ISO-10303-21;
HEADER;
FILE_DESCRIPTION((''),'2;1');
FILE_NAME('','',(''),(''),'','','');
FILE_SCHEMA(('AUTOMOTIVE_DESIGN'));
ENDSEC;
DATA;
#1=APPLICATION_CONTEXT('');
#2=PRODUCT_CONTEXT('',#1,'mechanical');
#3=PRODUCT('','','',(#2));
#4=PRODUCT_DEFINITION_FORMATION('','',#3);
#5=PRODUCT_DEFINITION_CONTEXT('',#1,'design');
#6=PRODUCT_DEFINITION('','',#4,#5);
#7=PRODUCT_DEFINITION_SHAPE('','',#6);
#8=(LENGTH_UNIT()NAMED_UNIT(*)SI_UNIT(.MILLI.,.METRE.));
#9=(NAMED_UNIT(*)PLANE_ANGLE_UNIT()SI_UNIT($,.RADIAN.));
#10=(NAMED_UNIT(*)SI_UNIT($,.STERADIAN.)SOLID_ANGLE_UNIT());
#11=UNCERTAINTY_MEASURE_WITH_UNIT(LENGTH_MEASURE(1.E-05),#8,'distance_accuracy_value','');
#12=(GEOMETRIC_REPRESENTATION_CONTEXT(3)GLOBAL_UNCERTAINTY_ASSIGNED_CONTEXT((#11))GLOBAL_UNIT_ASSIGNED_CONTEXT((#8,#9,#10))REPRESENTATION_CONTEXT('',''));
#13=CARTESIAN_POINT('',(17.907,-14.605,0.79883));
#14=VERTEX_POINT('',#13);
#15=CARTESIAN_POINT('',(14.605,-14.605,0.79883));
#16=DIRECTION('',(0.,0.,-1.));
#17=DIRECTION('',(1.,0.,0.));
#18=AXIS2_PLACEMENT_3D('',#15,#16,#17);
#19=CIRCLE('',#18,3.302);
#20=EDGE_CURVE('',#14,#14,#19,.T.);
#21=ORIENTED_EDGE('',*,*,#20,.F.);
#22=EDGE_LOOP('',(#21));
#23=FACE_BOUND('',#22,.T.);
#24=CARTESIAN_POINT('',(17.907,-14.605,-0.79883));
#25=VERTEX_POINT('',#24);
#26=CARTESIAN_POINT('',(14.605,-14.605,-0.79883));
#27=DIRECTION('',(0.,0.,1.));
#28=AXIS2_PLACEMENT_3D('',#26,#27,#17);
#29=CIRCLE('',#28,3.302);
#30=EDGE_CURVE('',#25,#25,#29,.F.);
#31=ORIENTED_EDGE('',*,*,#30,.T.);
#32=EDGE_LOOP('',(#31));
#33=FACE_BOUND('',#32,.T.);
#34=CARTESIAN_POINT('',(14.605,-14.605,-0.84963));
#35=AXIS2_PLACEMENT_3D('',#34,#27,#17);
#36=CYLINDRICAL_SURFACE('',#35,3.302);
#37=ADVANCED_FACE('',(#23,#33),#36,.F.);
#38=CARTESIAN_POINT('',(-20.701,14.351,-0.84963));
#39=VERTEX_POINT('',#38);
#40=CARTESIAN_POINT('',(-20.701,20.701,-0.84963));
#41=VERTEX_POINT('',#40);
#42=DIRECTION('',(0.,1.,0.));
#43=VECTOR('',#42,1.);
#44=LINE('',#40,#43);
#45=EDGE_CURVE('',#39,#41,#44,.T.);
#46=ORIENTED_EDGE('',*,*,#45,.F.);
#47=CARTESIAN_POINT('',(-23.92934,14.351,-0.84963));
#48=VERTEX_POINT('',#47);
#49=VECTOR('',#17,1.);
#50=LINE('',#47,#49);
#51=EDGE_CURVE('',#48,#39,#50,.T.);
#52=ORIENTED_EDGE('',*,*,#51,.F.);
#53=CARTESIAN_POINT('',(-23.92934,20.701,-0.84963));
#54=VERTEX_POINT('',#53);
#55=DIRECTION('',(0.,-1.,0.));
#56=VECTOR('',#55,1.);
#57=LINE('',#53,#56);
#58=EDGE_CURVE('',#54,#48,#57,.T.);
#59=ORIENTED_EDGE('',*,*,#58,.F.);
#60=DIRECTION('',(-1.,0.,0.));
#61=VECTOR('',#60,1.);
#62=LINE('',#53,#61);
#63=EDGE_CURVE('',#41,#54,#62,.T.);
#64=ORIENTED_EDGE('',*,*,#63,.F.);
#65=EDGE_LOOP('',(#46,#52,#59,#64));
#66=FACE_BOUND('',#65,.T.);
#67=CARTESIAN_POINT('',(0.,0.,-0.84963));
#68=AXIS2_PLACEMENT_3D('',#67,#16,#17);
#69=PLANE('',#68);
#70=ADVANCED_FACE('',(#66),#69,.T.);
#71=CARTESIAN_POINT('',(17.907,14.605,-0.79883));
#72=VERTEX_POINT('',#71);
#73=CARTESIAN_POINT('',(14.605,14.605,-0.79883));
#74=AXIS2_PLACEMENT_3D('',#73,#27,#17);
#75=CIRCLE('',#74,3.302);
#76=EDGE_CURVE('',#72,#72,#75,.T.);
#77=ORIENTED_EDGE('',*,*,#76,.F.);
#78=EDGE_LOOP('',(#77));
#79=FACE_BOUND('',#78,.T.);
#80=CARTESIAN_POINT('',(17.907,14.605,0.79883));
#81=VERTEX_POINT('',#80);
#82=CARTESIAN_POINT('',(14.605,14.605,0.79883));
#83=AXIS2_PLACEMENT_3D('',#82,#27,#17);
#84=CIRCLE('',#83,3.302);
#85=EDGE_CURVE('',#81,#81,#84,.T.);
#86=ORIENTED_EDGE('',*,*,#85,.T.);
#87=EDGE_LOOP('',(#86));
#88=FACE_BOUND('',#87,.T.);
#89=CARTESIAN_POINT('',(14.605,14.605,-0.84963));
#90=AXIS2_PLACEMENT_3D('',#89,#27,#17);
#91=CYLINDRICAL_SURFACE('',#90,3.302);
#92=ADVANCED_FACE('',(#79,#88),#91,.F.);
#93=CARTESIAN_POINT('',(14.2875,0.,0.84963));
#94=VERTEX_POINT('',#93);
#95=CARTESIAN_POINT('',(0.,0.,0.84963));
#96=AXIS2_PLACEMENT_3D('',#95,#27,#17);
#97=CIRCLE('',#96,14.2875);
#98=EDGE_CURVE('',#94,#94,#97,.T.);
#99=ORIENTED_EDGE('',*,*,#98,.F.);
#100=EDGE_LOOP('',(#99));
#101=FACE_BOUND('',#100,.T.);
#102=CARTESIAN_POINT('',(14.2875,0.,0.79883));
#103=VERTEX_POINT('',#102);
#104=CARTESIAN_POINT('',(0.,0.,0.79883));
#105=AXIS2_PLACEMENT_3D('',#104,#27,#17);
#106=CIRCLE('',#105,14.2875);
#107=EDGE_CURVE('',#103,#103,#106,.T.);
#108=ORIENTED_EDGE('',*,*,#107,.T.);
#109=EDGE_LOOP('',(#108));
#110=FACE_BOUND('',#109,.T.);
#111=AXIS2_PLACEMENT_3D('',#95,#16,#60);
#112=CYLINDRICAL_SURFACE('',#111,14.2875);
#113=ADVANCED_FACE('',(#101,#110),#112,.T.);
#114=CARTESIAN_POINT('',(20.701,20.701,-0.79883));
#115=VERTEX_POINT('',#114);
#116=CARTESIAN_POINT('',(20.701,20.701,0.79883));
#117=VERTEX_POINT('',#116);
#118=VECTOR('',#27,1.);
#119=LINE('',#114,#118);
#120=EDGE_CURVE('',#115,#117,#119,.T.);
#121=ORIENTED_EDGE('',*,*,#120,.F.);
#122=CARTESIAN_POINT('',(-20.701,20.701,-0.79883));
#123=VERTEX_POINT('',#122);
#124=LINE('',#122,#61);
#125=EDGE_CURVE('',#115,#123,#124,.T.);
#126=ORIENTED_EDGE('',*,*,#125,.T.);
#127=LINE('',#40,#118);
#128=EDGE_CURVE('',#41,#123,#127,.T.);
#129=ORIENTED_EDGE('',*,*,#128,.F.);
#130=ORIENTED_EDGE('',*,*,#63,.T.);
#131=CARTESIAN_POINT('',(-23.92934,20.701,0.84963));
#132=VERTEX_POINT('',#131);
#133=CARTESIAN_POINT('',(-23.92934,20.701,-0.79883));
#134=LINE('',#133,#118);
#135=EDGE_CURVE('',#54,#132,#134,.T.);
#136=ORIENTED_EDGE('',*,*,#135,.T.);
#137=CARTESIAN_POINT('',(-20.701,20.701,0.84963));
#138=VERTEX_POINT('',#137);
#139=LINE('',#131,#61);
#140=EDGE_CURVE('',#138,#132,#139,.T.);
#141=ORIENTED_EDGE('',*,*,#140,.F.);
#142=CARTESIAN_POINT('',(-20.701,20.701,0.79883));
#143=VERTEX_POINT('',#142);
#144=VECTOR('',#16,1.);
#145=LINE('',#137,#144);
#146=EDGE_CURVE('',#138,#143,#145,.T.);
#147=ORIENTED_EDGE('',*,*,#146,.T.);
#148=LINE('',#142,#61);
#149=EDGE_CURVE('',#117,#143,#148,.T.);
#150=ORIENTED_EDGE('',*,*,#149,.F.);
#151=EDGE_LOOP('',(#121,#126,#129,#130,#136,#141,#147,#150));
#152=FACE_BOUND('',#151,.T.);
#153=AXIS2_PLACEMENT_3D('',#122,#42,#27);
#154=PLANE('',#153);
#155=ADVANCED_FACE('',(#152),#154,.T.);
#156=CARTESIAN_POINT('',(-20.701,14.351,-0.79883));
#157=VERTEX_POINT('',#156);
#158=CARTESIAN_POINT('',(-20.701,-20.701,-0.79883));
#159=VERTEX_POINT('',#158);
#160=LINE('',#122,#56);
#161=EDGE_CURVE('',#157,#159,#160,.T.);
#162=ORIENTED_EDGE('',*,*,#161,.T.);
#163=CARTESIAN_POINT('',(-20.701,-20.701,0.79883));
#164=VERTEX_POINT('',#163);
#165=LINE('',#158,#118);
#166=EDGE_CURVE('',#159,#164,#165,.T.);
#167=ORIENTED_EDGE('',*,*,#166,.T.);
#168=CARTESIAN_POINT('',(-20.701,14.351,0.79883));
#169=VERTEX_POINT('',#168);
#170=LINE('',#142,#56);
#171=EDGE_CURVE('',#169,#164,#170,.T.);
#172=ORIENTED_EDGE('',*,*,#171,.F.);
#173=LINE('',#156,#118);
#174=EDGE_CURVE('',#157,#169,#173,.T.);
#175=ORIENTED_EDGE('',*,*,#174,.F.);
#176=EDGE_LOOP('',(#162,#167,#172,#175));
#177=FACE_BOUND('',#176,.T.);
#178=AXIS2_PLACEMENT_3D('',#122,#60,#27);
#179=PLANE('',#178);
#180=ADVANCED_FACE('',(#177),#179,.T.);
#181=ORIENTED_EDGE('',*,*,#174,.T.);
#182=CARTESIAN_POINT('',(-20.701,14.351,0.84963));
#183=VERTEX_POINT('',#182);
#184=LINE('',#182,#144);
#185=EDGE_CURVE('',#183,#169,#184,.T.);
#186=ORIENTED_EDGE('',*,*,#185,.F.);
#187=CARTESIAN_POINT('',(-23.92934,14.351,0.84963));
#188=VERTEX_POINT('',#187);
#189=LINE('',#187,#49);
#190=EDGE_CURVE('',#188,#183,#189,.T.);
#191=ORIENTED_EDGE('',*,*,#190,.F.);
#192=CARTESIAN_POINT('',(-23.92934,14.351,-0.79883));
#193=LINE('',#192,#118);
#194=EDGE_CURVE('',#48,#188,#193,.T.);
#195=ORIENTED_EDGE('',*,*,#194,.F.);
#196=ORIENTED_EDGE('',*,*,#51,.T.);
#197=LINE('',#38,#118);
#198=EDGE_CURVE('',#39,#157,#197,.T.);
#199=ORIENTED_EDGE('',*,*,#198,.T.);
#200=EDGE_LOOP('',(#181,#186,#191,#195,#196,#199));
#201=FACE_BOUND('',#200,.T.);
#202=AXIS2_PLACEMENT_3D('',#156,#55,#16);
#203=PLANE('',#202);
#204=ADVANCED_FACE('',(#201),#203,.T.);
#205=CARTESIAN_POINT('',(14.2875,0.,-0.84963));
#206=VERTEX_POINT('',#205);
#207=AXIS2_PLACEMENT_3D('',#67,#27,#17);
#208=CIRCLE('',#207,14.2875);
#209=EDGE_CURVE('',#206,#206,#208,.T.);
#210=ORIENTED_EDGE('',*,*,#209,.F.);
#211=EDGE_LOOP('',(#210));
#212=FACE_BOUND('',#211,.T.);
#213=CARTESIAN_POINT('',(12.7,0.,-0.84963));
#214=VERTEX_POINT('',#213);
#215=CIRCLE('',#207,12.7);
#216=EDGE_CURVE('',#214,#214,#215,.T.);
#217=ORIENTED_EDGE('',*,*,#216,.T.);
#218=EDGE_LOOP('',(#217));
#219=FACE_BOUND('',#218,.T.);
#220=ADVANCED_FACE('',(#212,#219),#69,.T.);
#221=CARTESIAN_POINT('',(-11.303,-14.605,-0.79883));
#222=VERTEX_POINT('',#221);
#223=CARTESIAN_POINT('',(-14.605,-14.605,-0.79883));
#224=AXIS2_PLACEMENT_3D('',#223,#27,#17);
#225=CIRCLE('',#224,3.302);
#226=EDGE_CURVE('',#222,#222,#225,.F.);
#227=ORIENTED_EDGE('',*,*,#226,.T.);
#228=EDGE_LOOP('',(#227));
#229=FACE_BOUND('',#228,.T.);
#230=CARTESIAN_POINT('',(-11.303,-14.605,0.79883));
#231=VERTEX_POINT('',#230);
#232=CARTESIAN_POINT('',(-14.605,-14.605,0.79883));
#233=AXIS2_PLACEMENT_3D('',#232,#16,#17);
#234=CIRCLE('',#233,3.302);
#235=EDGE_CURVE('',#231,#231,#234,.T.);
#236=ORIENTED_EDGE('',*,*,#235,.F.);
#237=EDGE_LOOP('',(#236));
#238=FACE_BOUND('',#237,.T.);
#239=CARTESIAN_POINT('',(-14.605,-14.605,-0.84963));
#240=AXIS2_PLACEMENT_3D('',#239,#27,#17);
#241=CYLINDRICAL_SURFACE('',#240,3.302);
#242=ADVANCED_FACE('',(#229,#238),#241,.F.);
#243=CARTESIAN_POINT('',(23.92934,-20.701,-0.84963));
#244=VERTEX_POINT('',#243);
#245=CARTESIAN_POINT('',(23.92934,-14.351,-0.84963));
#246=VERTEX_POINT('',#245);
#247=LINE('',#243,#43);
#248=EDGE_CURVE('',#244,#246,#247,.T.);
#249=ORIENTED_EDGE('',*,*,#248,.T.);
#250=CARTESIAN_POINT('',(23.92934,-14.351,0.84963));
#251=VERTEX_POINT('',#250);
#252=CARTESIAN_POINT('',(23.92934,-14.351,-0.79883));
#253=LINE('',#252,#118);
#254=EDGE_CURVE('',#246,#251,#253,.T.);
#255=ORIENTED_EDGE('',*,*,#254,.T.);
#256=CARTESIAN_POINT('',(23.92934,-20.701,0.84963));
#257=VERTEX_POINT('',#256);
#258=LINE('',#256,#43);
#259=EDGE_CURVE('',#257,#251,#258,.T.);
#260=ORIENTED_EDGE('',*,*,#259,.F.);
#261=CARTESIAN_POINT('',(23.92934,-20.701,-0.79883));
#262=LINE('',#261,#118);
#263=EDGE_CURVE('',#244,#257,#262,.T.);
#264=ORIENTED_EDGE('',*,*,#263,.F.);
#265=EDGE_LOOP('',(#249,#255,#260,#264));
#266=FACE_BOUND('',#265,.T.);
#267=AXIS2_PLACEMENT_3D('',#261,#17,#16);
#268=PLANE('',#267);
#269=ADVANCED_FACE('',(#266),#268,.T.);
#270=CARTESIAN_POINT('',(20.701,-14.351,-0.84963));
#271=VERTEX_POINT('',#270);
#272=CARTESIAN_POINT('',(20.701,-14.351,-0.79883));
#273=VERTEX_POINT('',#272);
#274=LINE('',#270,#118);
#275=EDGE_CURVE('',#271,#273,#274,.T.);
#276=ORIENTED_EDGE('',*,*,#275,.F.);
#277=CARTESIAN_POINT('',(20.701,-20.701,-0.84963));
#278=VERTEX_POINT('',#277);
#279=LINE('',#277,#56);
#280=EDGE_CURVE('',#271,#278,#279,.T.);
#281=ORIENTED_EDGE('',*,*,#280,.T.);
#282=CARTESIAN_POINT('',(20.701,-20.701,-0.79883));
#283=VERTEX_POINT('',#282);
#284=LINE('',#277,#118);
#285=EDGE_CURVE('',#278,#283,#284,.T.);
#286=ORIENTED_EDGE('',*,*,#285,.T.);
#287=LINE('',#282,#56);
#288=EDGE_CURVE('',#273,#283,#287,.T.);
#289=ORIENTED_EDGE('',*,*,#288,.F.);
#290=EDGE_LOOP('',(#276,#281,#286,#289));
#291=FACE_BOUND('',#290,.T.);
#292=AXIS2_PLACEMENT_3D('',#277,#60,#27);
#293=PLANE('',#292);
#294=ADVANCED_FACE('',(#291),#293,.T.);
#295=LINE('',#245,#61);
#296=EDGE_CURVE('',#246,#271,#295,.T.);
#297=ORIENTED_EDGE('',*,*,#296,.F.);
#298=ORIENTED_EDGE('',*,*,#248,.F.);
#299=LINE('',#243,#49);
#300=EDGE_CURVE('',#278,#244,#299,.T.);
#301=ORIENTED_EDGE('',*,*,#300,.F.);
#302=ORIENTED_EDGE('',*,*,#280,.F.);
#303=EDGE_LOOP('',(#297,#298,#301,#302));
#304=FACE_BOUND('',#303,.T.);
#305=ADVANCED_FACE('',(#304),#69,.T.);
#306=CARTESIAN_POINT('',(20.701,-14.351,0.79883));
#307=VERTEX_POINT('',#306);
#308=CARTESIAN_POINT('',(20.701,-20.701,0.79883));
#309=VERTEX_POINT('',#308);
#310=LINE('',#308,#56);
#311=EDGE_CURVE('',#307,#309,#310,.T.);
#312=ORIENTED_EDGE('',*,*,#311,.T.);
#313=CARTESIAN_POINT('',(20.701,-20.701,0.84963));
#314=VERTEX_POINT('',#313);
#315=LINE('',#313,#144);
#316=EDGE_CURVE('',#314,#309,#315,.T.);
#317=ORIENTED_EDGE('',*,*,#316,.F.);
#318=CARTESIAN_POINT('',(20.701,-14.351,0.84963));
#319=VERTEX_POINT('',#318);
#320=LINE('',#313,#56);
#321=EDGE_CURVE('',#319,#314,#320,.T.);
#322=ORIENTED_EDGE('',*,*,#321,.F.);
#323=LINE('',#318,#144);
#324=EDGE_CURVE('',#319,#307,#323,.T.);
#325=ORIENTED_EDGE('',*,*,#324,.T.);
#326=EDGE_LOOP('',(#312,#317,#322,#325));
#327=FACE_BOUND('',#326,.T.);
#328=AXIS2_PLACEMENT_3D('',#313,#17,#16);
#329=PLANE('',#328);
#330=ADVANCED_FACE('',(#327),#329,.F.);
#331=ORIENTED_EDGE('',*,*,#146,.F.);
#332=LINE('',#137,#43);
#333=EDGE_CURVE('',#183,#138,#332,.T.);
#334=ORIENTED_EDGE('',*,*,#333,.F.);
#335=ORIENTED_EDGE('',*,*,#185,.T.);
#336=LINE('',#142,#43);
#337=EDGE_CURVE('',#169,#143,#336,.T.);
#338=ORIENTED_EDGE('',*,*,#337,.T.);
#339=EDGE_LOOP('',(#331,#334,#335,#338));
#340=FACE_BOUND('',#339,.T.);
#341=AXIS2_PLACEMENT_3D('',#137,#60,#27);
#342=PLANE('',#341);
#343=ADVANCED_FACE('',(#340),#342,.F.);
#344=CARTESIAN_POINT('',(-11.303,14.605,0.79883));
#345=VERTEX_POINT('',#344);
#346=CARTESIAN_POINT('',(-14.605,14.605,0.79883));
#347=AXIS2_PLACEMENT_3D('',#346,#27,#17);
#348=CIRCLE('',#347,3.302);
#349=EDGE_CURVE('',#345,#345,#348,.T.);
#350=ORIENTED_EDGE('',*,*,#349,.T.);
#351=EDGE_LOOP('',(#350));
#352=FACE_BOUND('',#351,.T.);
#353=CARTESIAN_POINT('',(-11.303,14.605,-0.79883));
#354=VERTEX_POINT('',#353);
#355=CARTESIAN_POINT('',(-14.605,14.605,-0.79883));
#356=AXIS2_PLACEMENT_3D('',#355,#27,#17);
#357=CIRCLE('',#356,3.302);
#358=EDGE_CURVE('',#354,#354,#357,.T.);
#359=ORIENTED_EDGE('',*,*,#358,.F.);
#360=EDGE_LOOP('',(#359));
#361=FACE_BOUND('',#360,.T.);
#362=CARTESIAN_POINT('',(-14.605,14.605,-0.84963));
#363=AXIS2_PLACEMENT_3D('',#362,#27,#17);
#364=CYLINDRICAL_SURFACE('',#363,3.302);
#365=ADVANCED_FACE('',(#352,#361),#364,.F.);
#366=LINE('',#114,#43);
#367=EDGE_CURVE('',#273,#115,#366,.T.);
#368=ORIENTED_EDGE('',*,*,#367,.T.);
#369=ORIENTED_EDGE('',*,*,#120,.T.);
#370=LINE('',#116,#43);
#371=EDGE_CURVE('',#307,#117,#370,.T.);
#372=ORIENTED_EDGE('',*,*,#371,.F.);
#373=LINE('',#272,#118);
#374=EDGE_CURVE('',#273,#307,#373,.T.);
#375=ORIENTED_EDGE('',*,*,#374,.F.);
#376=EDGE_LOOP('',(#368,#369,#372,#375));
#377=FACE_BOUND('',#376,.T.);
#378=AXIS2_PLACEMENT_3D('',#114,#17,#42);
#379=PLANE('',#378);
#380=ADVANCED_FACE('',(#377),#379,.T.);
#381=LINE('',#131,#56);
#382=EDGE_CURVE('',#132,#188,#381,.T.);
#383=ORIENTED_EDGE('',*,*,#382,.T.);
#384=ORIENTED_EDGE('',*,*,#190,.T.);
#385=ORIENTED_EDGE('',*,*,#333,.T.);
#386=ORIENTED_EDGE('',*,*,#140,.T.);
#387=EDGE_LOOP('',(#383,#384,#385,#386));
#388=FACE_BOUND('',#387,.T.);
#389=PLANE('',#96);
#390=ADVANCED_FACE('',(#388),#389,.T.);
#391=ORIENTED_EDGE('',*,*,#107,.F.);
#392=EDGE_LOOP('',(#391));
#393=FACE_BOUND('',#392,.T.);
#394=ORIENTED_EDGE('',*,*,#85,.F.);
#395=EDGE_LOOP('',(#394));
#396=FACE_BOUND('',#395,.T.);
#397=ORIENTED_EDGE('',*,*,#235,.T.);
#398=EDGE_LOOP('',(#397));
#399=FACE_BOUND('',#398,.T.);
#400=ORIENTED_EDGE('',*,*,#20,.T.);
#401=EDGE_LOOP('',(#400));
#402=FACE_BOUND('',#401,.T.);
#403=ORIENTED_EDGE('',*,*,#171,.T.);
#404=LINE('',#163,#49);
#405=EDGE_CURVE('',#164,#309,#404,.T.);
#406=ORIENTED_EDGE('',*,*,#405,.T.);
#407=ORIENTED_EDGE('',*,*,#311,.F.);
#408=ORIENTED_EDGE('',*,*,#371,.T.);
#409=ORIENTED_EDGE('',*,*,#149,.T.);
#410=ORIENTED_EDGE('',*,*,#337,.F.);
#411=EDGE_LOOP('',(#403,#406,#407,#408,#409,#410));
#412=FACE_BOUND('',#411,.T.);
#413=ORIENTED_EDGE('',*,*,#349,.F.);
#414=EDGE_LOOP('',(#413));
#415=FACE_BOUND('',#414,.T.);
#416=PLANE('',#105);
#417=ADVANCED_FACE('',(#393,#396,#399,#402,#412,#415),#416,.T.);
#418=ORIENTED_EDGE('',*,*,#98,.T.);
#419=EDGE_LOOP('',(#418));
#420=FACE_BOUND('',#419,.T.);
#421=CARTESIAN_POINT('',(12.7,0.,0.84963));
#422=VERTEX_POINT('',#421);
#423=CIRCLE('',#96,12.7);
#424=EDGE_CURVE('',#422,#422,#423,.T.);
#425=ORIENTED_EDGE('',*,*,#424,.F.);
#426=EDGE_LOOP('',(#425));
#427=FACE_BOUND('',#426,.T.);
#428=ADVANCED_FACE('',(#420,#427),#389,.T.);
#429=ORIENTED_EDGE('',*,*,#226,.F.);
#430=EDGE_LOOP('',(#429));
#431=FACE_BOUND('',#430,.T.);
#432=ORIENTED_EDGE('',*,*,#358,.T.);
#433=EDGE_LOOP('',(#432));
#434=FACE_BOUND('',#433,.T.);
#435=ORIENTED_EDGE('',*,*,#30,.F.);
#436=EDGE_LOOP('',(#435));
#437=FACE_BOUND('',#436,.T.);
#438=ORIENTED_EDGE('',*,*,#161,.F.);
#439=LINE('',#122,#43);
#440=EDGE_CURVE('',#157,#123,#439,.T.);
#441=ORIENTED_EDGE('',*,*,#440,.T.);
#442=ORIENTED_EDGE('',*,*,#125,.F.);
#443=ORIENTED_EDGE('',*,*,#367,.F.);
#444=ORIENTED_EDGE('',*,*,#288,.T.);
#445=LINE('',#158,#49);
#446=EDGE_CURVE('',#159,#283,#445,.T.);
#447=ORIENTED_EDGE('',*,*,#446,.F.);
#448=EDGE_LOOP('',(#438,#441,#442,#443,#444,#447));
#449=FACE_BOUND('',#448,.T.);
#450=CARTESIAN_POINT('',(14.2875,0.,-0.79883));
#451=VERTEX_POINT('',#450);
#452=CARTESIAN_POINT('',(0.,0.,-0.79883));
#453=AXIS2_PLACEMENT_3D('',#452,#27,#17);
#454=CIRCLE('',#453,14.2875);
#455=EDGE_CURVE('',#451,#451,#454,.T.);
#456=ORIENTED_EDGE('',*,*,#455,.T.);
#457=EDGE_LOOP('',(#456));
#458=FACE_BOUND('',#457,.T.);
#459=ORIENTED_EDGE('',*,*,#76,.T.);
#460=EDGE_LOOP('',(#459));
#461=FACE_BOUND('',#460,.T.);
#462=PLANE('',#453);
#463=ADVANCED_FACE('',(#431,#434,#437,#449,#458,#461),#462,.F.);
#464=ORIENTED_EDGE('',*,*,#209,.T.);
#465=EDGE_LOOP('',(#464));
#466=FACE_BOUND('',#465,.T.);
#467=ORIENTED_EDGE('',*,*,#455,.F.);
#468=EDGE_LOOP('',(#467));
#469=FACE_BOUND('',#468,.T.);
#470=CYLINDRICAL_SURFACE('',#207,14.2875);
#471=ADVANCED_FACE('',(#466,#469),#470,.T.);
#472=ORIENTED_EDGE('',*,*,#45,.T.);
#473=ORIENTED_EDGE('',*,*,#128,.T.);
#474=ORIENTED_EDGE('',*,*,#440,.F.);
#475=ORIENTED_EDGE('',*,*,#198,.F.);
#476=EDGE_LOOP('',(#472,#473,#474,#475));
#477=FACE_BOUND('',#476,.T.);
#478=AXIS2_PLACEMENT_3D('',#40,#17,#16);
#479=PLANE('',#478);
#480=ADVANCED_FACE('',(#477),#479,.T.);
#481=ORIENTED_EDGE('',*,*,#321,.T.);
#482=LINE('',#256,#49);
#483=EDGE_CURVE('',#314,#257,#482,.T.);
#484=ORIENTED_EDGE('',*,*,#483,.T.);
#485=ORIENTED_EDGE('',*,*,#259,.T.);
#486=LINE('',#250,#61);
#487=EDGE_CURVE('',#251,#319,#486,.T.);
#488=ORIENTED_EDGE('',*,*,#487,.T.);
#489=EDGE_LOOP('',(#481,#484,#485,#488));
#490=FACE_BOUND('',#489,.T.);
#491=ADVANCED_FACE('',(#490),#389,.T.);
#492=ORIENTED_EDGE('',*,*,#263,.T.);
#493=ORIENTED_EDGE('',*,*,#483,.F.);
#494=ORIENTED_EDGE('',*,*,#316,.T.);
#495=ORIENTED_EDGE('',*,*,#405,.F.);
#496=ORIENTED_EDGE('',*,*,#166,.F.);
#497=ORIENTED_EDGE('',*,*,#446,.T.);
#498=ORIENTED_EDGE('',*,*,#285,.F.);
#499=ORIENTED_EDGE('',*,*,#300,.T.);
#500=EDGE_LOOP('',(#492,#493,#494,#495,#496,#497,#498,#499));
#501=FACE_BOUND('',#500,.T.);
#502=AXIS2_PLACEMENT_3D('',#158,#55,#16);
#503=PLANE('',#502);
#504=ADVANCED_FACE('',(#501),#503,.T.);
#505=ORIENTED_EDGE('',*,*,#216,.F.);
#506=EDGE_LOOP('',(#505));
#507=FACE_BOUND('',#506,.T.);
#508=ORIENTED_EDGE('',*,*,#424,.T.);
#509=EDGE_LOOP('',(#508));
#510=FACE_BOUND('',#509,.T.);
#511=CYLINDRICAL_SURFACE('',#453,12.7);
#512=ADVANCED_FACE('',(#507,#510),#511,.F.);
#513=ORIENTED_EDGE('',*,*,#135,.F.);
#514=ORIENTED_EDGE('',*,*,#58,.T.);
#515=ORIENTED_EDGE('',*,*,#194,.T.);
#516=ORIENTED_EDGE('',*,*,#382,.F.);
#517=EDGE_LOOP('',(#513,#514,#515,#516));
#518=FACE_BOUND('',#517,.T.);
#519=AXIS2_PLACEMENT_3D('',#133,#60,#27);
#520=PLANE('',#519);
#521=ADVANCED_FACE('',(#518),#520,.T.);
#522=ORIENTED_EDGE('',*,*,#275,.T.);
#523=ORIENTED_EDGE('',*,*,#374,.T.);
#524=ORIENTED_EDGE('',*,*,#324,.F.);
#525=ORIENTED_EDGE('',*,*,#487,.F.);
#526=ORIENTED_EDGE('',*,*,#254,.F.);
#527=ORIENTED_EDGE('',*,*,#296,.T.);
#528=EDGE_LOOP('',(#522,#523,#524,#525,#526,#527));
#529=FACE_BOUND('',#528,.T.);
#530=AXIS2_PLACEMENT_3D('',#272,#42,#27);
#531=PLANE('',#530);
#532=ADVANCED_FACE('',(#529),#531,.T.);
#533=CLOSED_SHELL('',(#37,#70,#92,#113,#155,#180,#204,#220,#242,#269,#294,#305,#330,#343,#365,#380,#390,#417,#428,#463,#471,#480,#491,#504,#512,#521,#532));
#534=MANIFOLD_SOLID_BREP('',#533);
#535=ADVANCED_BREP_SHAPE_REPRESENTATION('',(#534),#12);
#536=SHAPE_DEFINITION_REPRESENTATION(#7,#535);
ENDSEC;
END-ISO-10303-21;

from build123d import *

# Parameters (mm, degrees)
SKETCH1_W                = 41.402
SKETCH1_H                = 41.402
BOSS_EXTRUDE1_DEPTH      = 0.79883
BOSS_EXTRUDE1_DEPTH_BACK = 0.79883
SKETCH2_W                = 3.22834
SKETCH2_H                = 6.35
BOSS_EXTRUDE2_DEPTH      = 0.79883
BOSS_EXTRUDE2_DEPTH_BACK = 0.79883
SKETCH3_R                = 12.7
CUT_EXTRUDE1_DEPTH       = 2.59766
SKETCH4_R                = 14.2875
SKETCH4_R_2              = 12.7
BOSS_EXTRUDE3_DEPTH      = 0.0508
SKETCH5_W                = 3.22834
SKETCH5_H                = 6.35
BOSS_EXTRUDE4_DEPTH      = 0.0508
SKETCH6_R                = 3.302
CUT_EXTRUDE2_DEPTH       = 2.64846


with BuildPart() as part:
    # Sketch1 → Boss-Extrude1 (new body, two sides)
    with BuildSketch(Plane.XY) as boss_extrude1_sk:
        Rectangle(SKETCH1_W, SKETCH1_H)
    extrude(amount=BOSS_EXTRUDE1_DEPTH)
    extrude(boss_extrude1_sk.sketch, amount=-BOSS_EXTRUDE1_DEPTH_BACK)

    # Sketch2 → Boss-Extrude2 (add, two sides)
    with BuildSketch(Plane.XY) as boss_extrude2_sk:
        with Locations((-22.31517, 17.526)):
            Rectangle(SKETCH2_W, SKETCH2_H)
        with Locations((22.31517, -17.526)):
            Rectangle(SKETCH2_W, SKETCH2_H)
    extrude(amount=BOSS_EXTRUDE2_DEPTH)
    extrude(boss_extrude2_sk.sketch, amount=-BOSS_EXTRUDE2_DEPTH_BACK)

    # Sketch3 → Cut-Extrude1 (cut, through all)
    with BuildSketch(Plane.XY.offset(0.79883)):
        Circle(SKETCH3_R)
    extrude(amount=-CUT_EXTRUDE1_DEPTH, mode=Mode.SUBTRACT)

    # Sketch4 → Boss-Extrude3 (add)
    with BuildSketch(Plane.XY.offset(0.79883)):
        Circle(SKETCH4_R)
        Circle(SKETCH4_R_2, mode=Mode.SUBTRACT)
    boss_extrude3 = extrude(amount=BOSS_EXTRUDE3_DEPTH)

    # Sketch5 → Boss-Extrude4 (add)
    with BuildSketch(Plane.XY.offset(0.79883)):
        with Locations((-22.31517, 17.526)):
            Rectangle(SKETCH5_W, SKETCH5_H)
        with Locations((22.31517, -17.526)):
            Rectangle(SKETCH5_W, SKETCH5_H)
    boss_extrude4 = extrude(amount=BOSS_EXTRUDE4_DEPTH)

    # Mirror3: Boss-Extrude3, Boss-Extrude4 across plane
    add(boss_extrude3.mirror(Plane.XY))
    add(boss_extrude4.mirror(Plane.XY))

    # Sketch6 → Cut-Extrude2 (cut, through all)
    with BuildSketch(Plane.XY.offset(0.79883)):
        with Locations((-14.605, 14.605)):
            Circle(SKETCH6_R)
        with Locations((14.605, 14.605)):
            Circle(SKETCH6_R)
    cut_extrude2 = extrude(amount=-CUT_EXTRUDE2_DEPTH, mode=Mode.SUBTRACT)

    # Mirror4: Cut-Extrude2 across plane
    add(cut_extrude2.mirror(Plane.ZX), mode=Mode.SUBTRACT)


solid = part.part
